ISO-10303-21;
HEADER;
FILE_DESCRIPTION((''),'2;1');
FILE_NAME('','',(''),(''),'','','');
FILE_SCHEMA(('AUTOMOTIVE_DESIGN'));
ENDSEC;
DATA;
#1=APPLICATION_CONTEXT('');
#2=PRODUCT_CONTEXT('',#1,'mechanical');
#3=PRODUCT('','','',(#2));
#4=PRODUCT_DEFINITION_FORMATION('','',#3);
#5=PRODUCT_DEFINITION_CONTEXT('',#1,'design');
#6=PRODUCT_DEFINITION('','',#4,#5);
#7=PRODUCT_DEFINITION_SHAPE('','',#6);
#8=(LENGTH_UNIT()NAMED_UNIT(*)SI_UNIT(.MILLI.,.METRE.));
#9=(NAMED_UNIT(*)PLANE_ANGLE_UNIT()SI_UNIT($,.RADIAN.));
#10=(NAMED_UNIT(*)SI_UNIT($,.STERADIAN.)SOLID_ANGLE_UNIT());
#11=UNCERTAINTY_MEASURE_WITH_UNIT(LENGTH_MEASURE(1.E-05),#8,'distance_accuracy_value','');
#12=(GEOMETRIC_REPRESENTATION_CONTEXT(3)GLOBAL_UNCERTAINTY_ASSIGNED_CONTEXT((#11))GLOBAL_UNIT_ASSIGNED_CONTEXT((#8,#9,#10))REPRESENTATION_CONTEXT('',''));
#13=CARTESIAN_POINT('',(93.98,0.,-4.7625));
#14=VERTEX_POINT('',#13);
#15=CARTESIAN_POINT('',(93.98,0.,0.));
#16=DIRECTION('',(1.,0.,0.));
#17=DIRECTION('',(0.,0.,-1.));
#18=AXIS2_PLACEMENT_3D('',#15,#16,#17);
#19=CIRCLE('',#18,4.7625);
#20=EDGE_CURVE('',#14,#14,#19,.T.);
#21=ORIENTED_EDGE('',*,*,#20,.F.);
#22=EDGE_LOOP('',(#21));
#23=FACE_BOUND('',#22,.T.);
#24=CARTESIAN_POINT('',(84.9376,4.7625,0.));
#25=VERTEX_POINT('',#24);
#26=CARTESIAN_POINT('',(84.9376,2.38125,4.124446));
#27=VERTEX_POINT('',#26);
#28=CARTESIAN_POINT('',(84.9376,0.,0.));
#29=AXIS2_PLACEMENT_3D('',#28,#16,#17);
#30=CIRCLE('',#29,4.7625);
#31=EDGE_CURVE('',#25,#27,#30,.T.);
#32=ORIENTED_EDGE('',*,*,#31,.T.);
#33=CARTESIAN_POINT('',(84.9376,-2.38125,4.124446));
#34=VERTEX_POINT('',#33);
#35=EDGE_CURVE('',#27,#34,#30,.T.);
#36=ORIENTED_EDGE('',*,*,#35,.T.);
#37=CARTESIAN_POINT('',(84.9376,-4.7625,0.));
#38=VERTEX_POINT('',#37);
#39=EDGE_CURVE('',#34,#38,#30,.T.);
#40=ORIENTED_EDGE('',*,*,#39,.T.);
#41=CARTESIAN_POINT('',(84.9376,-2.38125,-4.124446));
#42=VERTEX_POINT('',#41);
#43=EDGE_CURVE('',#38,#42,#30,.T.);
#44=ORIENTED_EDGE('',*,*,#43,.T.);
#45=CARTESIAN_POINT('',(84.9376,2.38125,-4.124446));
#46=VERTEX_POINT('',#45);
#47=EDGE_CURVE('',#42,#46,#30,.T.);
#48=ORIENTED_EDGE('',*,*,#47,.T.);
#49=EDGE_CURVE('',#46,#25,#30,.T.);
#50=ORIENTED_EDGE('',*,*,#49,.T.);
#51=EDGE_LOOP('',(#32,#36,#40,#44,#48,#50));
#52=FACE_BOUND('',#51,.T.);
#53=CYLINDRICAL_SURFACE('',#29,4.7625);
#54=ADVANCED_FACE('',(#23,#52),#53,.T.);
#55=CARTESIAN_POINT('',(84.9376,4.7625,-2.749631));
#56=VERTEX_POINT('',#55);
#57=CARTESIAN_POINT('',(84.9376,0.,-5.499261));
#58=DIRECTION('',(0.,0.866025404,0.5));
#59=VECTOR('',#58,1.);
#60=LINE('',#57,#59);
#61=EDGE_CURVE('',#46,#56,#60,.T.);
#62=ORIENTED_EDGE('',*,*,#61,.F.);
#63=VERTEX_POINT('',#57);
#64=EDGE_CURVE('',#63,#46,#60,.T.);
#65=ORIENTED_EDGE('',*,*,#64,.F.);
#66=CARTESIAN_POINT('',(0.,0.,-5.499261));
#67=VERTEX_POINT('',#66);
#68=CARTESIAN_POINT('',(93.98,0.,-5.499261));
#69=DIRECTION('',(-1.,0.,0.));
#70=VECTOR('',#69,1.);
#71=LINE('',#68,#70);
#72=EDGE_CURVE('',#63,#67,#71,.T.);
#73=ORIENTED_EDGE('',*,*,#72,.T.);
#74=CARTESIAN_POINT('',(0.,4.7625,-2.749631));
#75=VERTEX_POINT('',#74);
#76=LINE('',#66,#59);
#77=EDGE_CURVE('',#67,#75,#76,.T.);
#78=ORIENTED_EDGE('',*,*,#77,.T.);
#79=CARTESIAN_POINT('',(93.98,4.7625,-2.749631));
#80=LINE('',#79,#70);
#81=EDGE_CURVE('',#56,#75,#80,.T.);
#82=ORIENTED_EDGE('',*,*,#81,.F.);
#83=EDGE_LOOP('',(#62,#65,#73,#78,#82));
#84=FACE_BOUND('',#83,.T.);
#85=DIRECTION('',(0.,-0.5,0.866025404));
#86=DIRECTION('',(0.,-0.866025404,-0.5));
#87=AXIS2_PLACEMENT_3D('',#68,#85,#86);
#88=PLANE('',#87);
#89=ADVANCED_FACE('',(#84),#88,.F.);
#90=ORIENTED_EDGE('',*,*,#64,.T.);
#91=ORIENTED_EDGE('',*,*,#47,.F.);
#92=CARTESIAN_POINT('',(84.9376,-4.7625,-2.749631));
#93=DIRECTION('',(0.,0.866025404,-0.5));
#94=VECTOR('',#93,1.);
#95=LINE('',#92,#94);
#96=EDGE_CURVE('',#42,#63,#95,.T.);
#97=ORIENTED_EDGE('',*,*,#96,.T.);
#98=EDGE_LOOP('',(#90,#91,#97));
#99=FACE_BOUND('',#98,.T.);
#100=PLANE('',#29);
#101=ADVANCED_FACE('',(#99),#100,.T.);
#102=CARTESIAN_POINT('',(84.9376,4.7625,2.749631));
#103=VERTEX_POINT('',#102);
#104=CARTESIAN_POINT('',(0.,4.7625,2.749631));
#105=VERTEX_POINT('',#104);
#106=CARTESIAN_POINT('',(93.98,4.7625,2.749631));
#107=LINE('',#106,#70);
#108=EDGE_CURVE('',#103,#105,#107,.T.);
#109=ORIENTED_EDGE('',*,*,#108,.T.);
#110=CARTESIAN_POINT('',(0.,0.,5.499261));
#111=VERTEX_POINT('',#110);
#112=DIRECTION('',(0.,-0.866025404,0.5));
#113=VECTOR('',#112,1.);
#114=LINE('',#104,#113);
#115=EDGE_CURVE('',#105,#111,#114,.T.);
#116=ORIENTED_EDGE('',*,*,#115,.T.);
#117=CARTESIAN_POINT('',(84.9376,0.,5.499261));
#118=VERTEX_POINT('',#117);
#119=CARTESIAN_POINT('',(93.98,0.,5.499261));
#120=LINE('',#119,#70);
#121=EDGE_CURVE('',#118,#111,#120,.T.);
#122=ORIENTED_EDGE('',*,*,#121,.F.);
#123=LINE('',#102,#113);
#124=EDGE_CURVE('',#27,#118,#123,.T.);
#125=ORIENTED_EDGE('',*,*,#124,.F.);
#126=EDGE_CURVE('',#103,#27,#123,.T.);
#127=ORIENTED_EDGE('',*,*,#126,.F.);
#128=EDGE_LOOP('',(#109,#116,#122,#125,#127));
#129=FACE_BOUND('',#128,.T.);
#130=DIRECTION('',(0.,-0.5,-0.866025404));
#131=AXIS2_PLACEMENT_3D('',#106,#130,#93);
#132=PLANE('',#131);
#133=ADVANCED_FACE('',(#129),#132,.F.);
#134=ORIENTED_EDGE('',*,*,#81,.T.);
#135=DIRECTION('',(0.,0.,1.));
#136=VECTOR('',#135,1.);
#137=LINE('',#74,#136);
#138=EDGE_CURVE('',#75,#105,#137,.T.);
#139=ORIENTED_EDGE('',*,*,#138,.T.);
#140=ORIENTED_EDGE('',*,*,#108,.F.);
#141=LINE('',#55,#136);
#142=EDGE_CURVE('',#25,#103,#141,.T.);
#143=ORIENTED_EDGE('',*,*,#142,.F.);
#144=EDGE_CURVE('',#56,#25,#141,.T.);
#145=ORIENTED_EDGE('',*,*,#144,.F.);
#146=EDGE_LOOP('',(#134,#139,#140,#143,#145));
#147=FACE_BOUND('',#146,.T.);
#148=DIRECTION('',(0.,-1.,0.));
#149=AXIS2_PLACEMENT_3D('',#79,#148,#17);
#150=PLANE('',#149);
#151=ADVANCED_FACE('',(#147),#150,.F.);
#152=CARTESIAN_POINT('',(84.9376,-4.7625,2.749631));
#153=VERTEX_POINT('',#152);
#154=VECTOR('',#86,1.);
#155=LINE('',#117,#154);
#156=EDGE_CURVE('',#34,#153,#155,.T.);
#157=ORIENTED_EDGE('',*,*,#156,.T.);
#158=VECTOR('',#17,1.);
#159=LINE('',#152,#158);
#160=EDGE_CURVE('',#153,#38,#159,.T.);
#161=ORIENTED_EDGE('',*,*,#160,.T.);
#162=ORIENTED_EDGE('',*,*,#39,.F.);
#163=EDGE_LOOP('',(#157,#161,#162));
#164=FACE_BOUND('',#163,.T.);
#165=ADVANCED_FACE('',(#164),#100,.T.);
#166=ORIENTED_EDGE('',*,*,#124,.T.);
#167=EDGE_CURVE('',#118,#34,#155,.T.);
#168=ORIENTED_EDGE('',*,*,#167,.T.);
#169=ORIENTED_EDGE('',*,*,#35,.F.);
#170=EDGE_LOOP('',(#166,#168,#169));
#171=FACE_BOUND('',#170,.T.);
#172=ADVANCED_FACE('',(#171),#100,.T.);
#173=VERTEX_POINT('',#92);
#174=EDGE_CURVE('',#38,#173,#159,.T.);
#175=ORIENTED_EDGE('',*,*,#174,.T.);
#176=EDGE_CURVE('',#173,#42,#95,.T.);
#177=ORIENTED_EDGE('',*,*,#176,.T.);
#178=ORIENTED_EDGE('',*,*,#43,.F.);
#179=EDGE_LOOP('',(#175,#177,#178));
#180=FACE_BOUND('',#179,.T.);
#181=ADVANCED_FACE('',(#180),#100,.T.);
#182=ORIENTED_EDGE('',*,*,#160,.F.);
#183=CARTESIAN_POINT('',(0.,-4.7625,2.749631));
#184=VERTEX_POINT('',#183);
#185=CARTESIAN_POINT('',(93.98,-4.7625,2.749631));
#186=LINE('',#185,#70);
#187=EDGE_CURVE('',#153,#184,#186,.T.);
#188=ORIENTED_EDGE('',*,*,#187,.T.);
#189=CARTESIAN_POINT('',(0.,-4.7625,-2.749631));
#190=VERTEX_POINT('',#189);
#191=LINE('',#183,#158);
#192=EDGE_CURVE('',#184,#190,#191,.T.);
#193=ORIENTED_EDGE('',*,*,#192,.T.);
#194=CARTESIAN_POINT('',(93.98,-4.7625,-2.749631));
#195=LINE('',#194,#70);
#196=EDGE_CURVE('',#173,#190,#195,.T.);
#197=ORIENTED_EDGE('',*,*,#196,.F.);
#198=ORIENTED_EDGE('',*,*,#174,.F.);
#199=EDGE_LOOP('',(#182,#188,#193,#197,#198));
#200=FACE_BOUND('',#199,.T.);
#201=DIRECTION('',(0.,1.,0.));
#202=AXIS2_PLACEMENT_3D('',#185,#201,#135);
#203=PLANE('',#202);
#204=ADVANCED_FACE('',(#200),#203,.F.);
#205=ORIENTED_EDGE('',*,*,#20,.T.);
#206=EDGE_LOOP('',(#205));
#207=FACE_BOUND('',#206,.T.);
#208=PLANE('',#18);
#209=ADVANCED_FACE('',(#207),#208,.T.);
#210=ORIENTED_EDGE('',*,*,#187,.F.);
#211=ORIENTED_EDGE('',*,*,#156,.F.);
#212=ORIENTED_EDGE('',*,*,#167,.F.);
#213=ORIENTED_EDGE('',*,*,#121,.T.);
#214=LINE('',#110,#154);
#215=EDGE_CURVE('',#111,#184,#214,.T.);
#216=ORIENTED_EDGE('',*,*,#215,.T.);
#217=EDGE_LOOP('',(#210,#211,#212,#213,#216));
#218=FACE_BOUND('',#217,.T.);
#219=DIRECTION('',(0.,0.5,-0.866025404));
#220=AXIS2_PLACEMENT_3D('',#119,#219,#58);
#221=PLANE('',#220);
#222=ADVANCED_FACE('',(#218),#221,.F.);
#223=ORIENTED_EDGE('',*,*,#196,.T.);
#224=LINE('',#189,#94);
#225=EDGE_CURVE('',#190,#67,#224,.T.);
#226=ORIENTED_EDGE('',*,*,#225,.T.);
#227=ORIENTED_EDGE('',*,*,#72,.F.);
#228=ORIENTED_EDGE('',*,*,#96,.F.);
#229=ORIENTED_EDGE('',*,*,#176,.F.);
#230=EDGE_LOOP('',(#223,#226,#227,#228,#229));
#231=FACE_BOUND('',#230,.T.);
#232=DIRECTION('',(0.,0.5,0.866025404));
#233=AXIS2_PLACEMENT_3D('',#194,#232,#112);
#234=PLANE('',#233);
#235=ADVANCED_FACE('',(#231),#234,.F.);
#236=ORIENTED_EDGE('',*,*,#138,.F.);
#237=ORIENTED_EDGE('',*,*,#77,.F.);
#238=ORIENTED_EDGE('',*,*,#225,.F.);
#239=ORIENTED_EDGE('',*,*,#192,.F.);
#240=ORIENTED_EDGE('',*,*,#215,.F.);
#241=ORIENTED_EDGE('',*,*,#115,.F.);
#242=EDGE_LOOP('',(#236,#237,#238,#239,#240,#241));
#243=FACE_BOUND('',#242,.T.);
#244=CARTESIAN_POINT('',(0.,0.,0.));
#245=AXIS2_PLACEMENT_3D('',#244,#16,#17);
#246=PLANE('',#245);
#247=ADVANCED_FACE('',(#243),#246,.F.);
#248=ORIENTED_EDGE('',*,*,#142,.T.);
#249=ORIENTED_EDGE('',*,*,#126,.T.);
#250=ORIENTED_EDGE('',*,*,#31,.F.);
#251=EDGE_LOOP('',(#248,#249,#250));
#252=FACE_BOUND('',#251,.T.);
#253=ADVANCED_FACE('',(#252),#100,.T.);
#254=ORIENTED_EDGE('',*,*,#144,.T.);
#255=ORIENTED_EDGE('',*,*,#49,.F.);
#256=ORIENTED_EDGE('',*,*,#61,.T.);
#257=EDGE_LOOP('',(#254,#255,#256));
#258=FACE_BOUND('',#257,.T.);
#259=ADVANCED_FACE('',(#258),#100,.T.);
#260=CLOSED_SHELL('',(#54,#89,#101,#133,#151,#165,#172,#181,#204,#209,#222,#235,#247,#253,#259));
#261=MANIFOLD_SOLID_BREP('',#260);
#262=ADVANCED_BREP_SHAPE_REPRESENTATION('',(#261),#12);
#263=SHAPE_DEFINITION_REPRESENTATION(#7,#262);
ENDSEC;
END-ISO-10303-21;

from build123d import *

# Parameters (mm, degrees)
BOSS_EXTRUDE1_DEPTH = 93.98
SKETCH2_R           = 5.499261314
SKETCH2_R_2         = 4.7625
CUT_EXTRUDE1_DEPTH  = 9.0424


with BuildPart() as part:
    # Sketch1 → Boss-Extrude1 (new body)
    with BuildSketch(Plane(origin=(0, 0, 0), x_dir=(0, 0, -1), z_dir=(1, 0, 0))):
        Polygon((-5.499261314, 0), (-2.749630657, -4.7625), (2.749630657, -4.7625), (5.499261314, 0), (2.749630657, 4.7625), (-2.749630657, 4.7625), align=None)
    extrude(amount=BOSS_EXTRUDE1_DEPTH)

    # Sketch2 → Cut-Extrude1 (cut)
    with BuildSketch(Plane(origin=(93.98, 0, 0), x_dir=(0, 0, -1), z_dir=(1, 0, 0))):
        Circle(SKETCH2_R)
        Circle(SKETCH2_R_2, mode=Mode.SUBTRACT)
    extrude(amount=-CUT_EXTRUDE1_DEPTH, mode=Mode.SUBTRACT)


solid = part.part
